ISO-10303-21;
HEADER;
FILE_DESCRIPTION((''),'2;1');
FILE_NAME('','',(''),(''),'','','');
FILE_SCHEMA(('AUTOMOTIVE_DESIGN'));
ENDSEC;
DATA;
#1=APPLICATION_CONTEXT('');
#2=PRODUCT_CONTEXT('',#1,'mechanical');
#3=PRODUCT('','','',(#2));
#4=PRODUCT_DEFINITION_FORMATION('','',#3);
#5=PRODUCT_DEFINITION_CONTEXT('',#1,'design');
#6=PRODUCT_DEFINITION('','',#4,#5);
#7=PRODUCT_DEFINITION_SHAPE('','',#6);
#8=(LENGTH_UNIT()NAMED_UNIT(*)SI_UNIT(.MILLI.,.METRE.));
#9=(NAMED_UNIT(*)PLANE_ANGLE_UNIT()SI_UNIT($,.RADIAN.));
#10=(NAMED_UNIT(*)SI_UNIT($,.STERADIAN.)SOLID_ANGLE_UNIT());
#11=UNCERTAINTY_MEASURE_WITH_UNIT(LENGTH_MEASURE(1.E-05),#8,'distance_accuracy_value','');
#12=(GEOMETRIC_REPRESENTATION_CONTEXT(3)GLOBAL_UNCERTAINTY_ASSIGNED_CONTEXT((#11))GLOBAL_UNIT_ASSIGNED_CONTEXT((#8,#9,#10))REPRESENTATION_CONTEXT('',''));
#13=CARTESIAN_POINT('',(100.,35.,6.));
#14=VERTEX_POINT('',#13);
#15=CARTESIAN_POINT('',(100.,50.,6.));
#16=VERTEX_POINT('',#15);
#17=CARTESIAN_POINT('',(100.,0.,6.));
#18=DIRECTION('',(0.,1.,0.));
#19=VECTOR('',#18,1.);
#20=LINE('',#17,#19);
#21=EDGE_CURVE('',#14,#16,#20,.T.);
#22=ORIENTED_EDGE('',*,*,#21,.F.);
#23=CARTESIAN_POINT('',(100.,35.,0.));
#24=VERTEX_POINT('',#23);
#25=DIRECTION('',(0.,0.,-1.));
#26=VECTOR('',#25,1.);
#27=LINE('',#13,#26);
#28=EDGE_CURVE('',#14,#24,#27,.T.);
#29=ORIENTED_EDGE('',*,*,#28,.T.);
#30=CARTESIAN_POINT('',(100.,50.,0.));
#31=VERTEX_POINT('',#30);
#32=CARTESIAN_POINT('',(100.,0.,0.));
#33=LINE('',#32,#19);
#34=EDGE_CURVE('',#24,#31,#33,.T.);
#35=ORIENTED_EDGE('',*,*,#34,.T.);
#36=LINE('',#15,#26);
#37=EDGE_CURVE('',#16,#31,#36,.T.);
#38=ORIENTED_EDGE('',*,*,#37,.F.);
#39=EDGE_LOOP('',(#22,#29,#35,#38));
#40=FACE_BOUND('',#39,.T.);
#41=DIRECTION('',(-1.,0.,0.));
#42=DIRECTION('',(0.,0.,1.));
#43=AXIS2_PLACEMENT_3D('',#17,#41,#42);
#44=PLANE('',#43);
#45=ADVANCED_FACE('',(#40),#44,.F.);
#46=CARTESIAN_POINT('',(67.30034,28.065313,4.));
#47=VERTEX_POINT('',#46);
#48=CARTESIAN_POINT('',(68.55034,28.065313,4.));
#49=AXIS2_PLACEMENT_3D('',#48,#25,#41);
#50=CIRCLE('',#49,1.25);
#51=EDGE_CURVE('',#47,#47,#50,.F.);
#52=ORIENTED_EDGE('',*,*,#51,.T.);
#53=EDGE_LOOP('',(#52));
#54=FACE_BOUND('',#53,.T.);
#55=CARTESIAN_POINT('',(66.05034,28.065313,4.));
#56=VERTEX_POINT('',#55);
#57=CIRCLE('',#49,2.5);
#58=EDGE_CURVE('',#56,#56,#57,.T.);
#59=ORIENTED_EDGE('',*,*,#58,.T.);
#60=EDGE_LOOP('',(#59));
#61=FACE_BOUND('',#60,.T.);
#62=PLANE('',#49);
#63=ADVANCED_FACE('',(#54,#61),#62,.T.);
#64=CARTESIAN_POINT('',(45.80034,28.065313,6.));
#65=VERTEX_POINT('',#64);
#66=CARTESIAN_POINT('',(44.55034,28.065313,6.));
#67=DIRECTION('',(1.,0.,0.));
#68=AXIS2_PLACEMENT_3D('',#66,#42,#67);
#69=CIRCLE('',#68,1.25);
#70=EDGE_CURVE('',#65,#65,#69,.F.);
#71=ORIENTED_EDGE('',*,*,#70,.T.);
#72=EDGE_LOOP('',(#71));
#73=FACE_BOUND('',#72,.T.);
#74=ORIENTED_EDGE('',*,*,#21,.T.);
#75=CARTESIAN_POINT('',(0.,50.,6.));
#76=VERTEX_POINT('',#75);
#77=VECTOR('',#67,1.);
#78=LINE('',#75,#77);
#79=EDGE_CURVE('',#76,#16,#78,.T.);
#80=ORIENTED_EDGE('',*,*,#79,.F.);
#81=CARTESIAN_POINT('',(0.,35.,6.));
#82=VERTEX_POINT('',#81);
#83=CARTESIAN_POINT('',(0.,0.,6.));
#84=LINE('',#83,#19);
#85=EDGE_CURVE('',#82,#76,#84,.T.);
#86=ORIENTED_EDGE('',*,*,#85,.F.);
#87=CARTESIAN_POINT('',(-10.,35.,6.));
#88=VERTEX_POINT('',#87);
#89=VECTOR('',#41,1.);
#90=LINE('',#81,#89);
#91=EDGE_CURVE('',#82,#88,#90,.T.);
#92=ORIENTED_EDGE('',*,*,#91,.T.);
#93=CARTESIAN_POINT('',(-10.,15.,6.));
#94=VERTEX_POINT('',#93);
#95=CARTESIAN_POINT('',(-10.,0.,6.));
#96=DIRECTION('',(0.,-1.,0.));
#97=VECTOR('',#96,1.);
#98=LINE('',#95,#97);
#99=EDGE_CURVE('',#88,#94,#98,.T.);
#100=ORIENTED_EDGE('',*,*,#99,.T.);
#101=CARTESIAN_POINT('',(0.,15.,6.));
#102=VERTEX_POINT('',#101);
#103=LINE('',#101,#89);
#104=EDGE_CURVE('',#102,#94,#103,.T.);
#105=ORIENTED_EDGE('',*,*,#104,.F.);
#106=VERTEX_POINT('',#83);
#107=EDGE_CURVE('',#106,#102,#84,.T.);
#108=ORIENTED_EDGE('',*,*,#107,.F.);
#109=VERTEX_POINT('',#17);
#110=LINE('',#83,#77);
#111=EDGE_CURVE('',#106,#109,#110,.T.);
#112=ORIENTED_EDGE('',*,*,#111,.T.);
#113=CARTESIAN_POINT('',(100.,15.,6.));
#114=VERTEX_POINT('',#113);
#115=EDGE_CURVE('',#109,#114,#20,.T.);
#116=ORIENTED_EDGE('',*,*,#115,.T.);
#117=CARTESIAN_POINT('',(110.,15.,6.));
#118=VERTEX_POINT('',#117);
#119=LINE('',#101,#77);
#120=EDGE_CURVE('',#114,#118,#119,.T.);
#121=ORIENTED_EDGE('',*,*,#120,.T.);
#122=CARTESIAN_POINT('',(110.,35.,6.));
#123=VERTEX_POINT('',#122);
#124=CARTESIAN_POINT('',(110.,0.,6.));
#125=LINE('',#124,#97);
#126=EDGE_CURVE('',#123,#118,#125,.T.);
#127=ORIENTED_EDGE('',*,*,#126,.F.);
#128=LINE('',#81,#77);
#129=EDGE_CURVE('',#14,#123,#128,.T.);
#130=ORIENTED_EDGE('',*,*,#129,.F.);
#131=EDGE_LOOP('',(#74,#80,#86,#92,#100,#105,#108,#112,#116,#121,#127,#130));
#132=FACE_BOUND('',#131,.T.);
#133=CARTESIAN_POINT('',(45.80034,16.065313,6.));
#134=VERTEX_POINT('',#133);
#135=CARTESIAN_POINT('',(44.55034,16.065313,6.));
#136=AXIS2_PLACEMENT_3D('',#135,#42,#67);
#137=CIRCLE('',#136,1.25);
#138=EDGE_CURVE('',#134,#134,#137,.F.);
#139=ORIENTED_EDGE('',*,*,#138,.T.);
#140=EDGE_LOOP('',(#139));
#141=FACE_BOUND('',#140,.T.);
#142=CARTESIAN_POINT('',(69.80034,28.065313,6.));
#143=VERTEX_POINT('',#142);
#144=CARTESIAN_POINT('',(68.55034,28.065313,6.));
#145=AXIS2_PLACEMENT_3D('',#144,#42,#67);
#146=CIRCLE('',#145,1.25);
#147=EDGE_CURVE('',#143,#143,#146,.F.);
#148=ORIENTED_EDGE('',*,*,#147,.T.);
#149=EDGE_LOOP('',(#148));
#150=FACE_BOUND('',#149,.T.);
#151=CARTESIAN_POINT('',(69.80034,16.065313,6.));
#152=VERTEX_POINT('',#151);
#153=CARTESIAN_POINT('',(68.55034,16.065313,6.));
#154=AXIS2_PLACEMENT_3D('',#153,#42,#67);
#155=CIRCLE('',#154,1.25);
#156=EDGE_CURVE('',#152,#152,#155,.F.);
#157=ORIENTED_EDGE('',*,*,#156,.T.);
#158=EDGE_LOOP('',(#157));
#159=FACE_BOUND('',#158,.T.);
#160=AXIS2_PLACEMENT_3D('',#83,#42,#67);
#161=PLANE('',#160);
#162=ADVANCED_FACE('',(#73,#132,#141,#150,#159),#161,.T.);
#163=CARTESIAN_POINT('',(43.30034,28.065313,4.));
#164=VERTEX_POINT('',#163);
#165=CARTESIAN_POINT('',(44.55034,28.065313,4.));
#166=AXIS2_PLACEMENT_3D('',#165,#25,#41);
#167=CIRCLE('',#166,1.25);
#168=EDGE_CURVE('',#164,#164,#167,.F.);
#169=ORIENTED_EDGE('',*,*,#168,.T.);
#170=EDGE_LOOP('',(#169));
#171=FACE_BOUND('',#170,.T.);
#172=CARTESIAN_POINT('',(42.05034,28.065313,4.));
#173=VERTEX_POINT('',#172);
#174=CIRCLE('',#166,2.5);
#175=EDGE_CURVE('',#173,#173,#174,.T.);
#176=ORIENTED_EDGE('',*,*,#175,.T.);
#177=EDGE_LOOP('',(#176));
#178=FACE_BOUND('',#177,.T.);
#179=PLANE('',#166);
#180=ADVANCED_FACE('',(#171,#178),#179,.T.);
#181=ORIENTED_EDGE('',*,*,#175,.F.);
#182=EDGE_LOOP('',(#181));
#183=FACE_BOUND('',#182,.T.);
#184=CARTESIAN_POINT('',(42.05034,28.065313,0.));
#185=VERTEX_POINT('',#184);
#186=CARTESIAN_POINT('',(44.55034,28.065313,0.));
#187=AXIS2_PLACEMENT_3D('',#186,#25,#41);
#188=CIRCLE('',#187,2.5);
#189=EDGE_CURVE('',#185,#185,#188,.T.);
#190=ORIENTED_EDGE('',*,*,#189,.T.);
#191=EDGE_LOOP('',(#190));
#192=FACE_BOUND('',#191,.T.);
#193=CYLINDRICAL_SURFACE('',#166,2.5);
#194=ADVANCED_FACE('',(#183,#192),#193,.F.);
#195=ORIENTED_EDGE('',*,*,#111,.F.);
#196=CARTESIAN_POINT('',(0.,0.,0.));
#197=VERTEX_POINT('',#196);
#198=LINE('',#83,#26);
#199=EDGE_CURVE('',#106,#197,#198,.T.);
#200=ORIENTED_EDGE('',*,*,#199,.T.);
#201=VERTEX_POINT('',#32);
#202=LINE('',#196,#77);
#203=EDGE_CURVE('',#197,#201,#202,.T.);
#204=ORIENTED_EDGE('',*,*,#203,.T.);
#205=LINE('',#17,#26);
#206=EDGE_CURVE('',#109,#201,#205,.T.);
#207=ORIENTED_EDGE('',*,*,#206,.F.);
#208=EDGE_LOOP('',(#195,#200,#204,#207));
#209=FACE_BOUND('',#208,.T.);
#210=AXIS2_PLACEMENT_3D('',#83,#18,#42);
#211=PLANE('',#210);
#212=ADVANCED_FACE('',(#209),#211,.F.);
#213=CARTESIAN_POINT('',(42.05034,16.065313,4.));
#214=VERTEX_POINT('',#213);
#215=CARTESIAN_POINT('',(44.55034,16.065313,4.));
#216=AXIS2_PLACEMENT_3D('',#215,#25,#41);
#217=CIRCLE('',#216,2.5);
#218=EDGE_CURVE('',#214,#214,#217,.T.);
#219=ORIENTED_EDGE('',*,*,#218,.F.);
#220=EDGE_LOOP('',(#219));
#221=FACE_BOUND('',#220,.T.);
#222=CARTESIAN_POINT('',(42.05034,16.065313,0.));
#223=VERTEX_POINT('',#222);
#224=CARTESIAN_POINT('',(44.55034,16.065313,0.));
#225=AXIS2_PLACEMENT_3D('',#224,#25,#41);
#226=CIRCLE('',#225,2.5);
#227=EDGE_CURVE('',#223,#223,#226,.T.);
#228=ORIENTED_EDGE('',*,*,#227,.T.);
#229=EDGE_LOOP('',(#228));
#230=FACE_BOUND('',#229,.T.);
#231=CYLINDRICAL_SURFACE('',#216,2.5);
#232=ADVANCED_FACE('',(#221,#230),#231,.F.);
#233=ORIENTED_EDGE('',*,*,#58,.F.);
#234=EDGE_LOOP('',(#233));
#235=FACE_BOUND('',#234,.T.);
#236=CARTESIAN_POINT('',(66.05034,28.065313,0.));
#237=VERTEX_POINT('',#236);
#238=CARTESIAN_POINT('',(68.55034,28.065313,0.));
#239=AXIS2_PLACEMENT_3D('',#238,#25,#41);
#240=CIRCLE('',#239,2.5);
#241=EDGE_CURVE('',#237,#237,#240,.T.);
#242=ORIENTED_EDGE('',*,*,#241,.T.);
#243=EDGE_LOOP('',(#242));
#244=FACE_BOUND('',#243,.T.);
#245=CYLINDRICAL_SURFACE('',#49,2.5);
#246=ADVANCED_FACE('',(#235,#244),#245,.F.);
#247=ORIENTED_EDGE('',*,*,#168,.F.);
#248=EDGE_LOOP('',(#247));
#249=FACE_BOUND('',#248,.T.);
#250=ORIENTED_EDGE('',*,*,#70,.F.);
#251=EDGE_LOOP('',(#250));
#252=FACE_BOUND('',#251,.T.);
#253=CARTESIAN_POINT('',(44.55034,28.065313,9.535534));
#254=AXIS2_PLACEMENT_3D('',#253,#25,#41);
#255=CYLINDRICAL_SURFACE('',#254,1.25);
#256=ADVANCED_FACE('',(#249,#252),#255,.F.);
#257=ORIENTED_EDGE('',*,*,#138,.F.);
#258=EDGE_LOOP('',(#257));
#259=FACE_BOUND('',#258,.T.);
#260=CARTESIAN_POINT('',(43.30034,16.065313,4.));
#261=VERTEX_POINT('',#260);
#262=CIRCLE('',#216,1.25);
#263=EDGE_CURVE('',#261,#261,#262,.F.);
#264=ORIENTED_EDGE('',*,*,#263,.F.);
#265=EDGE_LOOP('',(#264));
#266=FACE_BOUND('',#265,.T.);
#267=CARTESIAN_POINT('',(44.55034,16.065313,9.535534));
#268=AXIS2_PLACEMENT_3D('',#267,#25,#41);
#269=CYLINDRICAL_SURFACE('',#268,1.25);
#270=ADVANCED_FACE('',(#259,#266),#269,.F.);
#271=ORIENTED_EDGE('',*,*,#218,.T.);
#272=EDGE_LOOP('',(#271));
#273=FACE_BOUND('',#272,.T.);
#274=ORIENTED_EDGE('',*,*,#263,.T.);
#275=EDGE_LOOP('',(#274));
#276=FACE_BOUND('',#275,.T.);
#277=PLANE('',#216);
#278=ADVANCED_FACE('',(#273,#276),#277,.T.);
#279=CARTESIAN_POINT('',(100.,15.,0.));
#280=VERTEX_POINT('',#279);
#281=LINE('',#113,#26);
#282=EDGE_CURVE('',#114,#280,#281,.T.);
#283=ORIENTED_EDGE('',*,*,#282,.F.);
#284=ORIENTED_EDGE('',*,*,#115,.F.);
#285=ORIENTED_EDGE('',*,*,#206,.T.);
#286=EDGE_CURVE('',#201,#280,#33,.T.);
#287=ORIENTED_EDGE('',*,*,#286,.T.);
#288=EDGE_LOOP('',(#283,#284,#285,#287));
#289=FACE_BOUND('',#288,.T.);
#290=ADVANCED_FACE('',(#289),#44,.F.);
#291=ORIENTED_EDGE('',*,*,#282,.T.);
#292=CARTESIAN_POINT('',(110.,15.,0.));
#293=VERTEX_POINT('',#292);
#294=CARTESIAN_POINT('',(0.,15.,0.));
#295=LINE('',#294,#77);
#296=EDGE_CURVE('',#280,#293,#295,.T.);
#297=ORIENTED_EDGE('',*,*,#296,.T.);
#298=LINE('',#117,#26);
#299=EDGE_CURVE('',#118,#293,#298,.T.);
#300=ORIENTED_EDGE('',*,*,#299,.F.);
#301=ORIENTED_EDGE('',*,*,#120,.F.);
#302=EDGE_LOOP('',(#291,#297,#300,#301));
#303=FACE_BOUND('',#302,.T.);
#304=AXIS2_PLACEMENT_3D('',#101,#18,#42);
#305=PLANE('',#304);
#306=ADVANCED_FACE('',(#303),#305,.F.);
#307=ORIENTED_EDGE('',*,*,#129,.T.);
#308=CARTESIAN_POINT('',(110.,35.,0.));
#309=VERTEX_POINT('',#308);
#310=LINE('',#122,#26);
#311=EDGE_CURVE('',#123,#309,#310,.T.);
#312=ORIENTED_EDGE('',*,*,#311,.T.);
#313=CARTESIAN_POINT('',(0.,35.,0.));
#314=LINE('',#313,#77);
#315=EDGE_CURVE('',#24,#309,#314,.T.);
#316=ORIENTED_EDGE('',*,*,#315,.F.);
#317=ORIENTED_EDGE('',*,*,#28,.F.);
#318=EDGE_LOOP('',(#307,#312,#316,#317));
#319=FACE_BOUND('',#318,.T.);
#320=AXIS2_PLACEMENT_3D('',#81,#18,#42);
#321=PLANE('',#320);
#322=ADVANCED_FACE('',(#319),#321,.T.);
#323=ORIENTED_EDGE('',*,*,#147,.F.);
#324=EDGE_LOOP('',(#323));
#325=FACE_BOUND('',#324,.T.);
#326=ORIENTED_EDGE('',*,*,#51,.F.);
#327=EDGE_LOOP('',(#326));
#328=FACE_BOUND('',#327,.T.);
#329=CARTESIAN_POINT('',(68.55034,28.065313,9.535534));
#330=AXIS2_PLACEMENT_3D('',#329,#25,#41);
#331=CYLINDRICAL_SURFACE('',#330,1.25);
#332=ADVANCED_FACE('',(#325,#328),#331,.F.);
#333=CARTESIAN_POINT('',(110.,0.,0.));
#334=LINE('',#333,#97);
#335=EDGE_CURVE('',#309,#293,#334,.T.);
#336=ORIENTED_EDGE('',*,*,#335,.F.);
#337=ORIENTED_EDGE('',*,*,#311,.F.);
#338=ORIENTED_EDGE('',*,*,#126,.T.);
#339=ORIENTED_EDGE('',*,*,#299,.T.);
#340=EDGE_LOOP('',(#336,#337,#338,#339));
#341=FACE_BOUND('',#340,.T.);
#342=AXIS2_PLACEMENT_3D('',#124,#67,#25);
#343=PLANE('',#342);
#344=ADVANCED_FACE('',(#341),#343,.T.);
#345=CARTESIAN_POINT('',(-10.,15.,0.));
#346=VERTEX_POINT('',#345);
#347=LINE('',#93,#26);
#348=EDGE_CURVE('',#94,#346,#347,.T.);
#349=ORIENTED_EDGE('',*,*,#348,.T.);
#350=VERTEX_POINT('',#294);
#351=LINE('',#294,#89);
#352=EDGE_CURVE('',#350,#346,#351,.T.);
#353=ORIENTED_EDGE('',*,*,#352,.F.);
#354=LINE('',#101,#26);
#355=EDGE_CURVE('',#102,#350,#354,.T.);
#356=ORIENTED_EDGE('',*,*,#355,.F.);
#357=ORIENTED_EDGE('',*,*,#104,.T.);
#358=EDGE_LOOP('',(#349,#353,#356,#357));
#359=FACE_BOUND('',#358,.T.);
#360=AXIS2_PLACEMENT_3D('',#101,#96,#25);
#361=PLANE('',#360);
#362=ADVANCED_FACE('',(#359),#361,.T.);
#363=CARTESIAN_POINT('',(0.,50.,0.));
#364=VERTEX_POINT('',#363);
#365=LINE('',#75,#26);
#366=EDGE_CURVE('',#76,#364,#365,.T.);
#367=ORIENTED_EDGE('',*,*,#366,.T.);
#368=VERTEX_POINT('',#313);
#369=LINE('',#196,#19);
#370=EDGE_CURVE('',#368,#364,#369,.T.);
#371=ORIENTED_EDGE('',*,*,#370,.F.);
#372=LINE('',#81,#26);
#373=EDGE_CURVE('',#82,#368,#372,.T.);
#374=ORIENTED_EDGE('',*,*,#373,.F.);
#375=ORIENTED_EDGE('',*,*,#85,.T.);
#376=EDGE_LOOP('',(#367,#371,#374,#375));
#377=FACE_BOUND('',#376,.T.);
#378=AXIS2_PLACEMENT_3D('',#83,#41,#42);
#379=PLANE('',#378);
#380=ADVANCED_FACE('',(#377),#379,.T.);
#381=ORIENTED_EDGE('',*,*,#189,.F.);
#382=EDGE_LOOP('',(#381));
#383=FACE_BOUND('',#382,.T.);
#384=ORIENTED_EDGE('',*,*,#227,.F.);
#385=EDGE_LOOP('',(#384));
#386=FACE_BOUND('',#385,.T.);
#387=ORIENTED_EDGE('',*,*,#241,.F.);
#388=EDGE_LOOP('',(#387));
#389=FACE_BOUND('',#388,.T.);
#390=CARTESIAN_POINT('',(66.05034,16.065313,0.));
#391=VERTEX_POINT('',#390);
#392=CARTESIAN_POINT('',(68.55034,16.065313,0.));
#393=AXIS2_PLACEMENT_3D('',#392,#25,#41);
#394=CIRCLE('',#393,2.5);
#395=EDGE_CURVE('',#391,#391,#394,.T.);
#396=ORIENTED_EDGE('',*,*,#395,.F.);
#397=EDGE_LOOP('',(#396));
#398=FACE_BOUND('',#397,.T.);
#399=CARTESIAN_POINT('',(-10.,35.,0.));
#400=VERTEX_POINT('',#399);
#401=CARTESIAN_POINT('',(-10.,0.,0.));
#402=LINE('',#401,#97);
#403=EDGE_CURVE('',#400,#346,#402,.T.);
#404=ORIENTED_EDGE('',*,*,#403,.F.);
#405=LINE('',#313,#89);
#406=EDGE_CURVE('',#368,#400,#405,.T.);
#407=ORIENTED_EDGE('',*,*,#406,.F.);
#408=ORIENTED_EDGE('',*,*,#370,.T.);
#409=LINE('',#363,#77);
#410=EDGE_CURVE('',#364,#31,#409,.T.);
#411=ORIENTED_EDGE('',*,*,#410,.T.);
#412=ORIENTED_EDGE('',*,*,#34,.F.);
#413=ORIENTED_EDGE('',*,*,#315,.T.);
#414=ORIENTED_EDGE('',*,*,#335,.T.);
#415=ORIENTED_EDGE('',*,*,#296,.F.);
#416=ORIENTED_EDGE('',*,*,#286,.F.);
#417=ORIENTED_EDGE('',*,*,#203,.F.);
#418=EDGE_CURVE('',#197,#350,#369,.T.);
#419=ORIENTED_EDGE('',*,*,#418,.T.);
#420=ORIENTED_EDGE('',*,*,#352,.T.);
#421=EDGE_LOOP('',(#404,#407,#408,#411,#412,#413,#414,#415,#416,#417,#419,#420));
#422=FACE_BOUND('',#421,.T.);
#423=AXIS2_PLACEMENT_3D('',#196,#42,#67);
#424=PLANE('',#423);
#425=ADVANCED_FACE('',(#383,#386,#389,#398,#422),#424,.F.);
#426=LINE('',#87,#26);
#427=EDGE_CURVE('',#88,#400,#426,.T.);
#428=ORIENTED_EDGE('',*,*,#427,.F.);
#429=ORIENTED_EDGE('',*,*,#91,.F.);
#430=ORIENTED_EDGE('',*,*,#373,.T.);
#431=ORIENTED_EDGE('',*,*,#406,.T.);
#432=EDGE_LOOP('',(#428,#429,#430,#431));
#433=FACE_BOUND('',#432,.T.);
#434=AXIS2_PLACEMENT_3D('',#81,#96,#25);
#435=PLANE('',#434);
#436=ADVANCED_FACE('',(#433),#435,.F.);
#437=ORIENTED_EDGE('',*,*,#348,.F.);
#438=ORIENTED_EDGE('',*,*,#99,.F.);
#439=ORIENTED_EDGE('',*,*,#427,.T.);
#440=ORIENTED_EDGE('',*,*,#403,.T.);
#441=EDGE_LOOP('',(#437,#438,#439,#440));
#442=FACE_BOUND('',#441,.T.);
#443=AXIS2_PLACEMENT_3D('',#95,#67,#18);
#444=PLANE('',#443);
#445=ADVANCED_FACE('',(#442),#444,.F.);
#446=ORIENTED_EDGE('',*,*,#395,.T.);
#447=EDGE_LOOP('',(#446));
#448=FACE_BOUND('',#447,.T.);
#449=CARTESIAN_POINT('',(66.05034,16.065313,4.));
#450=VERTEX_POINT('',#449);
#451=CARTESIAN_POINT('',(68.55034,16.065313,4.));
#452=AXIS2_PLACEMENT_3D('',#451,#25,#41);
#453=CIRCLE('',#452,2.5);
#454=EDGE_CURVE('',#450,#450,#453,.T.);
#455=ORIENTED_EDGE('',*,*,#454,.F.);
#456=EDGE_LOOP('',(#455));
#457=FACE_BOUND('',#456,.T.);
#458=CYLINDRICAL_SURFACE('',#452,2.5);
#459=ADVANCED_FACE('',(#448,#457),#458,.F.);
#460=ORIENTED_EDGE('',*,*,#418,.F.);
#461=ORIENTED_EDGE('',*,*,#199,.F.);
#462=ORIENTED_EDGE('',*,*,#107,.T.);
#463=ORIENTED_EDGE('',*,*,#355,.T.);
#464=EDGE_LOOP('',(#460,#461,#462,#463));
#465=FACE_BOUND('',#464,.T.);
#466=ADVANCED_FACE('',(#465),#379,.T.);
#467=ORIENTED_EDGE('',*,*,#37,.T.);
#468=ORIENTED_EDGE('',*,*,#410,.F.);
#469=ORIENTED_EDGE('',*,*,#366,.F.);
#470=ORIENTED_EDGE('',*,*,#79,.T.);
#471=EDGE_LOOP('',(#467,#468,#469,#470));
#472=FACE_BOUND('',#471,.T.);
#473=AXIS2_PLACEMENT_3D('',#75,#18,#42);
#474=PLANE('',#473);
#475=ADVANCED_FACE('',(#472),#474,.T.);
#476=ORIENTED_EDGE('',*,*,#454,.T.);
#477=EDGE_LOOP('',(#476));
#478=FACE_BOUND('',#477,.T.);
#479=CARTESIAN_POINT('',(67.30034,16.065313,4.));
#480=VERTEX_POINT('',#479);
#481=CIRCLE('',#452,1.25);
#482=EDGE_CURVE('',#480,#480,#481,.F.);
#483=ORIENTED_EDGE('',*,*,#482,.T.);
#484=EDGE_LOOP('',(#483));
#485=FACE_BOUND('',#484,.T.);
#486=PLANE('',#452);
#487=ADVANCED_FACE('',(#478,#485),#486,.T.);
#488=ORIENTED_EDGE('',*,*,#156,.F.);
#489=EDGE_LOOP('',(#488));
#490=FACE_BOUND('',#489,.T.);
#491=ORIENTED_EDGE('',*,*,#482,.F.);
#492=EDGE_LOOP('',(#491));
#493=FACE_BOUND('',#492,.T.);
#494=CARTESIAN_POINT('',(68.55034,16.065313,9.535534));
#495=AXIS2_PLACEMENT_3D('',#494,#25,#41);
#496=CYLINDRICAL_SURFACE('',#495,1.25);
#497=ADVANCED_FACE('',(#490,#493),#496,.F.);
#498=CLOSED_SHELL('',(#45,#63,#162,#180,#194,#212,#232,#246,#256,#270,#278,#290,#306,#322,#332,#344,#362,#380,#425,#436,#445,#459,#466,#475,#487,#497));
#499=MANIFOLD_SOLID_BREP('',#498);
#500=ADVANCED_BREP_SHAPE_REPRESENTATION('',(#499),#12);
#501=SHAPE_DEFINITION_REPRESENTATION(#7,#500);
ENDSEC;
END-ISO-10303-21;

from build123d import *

# Parameters (mm, degrees)
ESQUISSE1_W             = 10
ESQUISSE1_H             = 20
ESQUISSE1_W_2           = 100
ESQUISSE1_H_2           = 50
BOSS_EXTRU_1_DEPTH      = 6
ESQUISSE2_R             = 1.25
ENL_V_MAT_EXTRU_1_DEPTH = 6
ESQUISSE3_R             = 2.5
ENL_V_MAT_EXTRU_2_DEPTH = 4


with BuildPart() as part:
    # Esquisse1 → Boss.-Extru.1 (new body)
    with BuildSketch(Plane.XY):
        with Locations((-5, 25)):
            Rectangle(ESQUISSE1_W, ESQUISSE1_H)
        with Locations((50, 25)):
            Rectangle(ESQUISSE1_W_2, ESQUISSE1_H_2)
        with Locations((105, 25)):
            Rectangle(ESQUISSE1_W, ESQUISSE1_H)
    extrude(amount=BOSS_EXTRU_1_DEPTH)

    # Esquisse2 → Enlèv. mat.-Extru.1 (cut)
    with BuildSketch(Plane(origin=(0, 0, 0), x_dir=(-1, 0, 0), z_dir=(0, 0, -1))):
        with Locations((-44.550340057, 16.065313345)):
            Circle(ESQUISSE2_R)
        with Locations((-44.550340057, 28.065313345)):
            Circle(ESQUISSE2_R)
        with Locations((-68.550340057, 28.065313345)):
            Circle(ESQUISSE2_R)
        with Locations((-68.550340057, 16.065313345)):
            Circle(ESQUISSE2_R)
    extrude(amount=-ENL_V_MAT_EXTRU_1_DEPTH, mode=Mode.SUBTRACT)

    # Esquisse3 → Enlèv. mat.-Extru.2 (cut)
    with BuildSketch(Plane(origin=(0, 0, 0), x_dir=(-1, 0, 0), z_dir=(0, 0, -1))):
        with Locations((-68.550340057, 28.065313345)):
            Circle(ESQUISSE3_R)
        with Locations((-44.550340057, 28.065313345)):
            Circle(ESQUISSE3_R)
        with Locations((-44.550340057, 16.065313345)):
            Circle(ESQUISSE3_R)
        with Locations((-68.550340057, 16.065313345)):
            Circle(ESQUISSE3_R)
    extrude(amount=-ENL_V_MAT_EXTRU_2_DEPTH, mode=Mode.SUBTRACT)


solid = part.part
